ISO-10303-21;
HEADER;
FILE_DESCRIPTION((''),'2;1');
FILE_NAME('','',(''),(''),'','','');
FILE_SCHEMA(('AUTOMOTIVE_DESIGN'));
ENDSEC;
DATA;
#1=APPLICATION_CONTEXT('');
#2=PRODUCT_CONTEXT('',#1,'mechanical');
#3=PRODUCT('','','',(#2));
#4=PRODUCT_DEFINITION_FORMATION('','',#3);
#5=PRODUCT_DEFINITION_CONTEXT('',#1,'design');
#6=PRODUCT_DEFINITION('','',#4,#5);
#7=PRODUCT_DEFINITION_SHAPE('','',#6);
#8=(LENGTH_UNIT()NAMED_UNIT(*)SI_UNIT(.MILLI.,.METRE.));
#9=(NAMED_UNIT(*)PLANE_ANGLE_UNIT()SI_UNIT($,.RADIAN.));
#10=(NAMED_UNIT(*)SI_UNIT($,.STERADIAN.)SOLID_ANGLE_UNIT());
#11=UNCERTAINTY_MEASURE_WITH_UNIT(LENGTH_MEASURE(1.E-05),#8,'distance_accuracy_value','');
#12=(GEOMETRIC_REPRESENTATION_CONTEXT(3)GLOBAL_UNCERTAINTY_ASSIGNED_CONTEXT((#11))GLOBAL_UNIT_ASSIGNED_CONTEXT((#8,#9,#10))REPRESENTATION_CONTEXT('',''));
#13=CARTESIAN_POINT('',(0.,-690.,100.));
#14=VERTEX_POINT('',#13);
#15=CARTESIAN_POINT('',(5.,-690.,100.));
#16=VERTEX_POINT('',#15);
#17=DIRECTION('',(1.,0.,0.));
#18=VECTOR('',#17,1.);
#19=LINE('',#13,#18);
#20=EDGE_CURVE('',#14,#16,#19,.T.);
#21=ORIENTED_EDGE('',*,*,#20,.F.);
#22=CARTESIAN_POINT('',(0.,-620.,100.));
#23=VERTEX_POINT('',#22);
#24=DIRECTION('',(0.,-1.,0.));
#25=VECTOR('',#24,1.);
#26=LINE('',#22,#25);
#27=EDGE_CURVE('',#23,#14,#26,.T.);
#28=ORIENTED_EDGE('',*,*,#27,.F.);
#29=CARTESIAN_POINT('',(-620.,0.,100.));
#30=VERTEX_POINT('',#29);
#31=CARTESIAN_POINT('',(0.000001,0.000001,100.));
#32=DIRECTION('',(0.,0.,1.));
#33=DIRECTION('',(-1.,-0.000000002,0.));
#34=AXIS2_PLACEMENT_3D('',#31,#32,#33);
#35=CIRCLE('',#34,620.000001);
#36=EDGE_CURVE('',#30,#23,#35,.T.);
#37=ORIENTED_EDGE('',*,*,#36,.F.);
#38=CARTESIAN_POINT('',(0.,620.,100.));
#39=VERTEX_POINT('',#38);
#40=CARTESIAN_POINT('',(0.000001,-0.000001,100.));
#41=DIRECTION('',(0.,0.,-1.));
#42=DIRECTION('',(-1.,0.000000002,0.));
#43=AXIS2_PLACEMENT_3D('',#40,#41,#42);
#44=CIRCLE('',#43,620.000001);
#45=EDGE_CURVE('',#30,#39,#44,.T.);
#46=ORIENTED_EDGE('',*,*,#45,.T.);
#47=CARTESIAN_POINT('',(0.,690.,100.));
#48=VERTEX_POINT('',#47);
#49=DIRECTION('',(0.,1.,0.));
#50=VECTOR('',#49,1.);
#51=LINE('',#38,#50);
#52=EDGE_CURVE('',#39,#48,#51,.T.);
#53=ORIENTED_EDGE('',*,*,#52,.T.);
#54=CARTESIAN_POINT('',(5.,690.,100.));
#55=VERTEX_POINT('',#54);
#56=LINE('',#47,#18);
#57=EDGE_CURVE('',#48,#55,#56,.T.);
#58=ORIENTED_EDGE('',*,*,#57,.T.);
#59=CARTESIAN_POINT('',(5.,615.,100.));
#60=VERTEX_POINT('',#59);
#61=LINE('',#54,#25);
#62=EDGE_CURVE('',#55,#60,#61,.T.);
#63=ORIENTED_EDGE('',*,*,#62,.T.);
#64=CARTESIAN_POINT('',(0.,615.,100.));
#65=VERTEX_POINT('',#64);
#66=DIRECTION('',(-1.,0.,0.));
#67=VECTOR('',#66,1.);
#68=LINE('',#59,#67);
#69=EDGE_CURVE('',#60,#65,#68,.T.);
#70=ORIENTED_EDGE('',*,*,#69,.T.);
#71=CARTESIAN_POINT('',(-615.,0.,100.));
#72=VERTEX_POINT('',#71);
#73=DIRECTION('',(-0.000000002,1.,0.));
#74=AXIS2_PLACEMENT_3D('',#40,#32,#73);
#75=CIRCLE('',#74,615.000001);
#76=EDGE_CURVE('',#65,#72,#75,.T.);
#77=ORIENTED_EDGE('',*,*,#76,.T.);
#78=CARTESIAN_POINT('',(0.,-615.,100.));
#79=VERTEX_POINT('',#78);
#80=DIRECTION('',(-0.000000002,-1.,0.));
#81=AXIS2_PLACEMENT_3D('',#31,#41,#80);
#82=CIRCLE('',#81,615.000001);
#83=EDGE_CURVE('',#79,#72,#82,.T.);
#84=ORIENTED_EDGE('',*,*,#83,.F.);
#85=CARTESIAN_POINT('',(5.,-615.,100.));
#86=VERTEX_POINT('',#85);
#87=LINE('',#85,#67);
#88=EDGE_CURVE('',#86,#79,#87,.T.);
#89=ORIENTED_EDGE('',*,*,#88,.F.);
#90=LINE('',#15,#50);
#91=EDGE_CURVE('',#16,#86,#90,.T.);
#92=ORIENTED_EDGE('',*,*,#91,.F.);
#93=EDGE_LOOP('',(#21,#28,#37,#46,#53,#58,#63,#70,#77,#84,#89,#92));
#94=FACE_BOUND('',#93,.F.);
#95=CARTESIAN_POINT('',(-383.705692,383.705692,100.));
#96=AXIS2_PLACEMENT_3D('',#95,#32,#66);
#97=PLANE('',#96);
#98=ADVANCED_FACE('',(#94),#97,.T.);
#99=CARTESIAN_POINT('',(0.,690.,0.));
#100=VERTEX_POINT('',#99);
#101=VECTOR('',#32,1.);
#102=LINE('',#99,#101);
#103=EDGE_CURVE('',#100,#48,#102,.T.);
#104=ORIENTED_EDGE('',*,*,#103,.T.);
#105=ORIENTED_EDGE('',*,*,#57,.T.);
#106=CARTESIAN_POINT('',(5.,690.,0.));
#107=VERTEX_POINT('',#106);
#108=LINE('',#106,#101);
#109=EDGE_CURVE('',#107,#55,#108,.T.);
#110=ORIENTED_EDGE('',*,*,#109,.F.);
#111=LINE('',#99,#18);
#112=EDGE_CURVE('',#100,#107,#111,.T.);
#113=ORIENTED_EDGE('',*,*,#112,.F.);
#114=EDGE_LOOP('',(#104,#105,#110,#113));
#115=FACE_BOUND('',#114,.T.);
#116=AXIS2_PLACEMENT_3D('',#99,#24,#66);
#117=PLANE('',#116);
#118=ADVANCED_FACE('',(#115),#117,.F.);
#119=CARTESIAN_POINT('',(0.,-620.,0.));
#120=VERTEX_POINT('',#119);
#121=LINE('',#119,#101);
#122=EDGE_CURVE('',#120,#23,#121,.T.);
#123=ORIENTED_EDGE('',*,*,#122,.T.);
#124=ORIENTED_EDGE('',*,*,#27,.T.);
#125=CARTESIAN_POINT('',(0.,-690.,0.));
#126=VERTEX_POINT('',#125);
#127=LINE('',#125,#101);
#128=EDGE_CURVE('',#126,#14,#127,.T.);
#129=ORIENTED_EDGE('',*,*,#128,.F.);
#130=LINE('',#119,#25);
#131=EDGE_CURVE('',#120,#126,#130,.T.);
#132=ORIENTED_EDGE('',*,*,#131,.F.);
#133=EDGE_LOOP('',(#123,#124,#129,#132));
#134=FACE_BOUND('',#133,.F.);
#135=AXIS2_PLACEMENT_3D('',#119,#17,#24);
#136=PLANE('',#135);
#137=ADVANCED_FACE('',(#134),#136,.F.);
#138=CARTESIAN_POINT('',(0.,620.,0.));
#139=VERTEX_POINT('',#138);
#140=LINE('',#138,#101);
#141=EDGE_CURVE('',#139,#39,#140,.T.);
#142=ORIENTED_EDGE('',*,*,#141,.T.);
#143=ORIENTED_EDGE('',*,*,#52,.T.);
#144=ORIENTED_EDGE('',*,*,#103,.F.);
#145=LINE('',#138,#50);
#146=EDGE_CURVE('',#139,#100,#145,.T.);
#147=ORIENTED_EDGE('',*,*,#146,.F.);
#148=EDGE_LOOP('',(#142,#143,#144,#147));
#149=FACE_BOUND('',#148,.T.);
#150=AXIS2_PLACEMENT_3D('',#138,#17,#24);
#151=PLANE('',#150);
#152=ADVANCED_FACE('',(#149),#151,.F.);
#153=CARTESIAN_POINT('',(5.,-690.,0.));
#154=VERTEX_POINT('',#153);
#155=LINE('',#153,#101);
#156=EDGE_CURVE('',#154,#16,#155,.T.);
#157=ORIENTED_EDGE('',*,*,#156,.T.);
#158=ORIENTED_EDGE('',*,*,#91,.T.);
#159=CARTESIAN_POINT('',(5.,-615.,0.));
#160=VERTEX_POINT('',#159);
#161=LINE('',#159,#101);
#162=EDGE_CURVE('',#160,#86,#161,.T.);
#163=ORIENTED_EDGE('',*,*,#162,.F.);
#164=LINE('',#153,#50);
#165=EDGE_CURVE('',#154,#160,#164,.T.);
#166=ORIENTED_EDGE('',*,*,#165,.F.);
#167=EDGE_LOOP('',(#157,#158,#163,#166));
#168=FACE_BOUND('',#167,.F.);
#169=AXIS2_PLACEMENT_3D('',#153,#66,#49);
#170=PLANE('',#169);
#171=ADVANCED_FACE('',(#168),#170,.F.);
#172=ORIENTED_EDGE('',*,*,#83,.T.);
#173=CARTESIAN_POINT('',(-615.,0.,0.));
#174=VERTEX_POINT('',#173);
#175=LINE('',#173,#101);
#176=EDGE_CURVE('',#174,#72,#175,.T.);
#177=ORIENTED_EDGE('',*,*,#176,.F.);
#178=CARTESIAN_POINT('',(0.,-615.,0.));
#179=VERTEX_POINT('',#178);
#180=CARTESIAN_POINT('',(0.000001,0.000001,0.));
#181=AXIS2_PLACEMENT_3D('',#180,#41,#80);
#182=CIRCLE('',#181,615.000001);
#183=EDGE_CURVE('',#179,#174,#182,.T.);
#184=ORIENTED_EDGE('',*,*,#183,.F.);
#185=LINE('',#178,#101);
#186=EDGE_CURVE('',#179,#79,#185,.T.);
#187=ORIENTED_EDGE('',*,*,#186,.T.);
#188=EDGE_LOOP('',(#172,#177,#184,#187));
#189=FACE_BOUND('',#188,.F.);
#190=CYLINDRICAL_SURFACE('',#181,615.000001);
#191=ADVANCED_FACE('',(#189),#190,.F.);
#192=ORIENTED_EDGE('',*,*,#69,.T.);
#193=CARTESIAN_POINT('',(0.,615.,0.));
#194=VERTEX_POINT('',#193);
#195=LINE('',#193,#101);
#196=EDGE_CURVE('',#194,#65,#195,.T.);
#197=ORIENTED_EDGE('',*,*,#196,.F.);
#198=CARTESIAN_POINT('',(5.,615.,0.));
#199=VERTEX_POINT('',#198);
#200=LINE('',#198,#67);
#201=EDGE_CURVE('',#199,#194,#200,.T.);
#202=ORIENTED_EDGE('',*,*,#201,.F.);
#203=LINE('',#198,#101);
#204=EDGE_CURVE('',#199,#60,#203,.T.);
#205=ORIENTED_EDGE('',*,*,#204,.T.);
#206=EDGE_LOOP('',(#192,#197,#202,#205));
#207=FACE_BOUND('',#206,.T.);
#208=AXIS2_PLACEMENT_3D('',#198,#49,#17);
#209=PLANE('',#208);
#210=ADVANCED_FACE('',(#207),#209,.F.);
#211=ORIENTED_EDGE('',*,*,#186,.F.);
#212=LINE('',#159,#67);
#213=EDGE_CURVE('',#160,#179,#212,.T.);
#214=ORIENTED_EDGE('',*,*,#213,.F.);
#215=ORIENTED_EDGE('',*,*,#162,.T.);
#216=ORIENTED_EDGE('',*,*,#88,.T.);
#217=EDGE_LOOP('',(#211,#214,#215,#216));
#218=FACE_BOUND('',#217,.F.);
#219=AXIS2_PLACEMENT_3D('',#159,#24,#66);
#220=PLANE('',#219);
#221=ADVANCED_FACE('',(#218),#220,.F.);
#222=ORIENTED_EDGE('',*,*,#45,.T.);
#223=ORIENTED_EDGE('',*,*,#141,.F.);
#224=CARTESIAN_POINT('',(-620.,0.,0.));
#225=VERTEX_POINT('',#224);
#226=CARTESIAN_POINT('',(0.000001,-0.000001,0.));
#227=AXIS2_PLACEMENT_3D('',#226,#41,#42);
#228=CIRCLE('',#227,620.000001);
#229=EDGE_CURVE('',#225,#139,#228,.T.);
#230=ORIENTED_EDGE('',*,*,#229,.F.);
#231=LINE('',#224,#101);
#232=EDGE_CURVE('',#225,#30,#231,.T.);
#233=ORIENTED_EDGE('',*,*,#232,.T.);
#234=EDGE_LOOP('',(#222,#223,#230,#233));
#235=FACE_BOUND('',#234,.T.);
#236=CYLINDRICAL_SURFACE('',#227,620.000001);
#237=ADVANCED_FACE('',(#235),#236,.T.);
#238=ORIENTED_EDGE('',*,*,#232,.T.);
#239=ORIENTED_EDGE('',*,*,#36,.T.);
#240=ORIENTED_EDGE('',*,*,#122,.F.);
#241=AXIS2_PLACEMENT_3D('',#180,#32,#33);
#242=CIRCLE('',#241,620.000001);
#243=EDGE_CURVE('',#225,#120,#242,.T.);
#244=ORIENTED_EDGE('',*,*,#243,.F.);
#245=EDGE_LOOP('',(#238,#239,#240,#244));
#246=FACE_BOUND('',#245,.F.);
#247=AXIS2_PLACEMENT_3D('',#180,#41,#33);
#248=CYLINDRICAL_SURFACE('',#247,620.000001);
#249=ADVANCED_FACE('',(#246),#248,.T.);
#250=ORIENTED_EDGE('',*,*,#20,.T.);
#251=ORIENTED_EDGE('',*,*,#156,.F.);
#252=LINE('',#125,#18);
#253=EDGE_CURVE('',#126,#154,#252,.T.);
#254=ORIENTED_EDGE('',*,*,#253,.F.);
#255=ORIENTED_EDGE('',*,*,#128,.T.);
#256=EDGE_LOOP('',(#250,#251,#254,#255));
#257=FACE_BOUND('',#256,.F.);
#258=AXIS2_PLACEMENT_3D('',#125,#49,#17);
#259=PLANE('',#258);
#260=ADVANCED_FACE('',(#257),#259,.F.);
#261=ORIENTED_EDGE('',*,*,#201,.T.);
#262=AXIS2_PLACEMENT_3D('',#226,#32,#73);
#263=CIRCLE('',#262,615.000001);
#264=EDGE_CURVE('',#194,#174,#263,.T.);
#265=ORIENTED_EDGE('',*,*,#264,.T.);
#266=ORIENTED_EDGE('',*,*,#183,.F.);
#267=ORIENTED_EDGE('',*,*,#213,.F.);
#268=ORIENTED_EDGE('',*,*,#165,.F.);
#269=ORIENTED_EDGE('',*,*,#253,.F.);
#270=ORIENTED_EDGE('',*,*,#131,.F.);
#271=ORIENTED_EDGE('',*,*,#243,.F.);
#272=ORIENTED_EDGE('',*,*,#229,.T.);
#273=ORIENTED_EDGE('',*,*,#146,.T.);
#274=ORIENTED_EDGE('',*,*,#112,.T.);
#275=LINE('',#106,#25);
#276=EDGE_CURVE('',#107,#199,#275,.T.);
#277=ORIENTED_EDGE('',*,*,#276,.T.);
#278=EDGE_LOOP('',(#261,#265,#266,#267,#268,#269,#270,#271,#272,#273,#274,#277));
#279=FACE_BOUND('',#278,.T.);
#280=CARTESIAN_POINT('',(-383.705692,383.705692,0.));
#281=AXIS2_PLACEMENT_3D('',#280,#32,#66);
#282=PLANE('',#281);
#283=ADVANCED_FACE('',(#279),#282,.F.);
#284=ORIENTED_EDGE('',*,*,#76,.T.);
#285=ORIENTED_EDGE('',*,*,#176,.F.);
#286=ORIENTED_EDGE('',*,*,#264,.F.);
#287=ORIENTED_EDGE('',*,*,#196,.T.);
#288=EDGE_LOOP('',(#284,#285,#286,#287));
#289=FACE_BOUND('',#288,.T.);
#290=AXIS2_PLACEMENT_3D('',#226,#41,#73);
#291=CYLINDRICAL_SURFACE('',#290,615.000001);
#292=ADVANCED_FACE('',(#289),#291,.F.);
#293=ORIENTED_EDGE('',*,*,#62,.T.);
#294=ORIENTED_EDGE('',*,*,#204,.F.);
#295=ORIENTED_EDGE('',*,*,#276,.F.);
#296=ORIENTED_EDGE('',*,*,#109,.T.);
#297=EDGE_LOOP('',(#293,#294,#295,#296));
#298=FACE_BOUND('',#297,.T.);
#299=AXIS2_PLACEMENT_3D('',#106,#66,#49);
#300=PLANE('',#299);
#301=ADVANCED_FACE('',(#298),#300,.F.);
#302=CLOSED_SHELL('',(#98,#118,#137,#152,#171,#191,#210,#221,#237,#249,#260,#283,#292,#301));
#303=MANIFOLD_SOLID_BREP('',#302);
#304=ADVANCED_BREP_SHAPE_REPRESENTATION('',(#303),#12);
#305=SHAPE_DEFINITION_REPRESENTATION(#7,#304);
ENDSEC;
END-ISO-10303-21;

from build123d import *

# Parameters (mm, degrees)
F1_DEPTH = 100


with BuildPart() as f1:
    # F0 (on Top) → F1 (new body)
    with BuildSketch(Plane.XY):
        with BuildLine():
            Line((-615, 0), (-620, 0))
            ThreePointArc((-620, 0), (-438.406204, -438.406204), (0, -620))
            Line((0, -620), (0, -615))
            ThreePointArc((0, -615), (-434.87067, -434.87067), (-615, 0))
        make_face()
        Polygon((0, -615), (0, -620), (0, -690), (5, -690), (5, -615), align=None)
    extrude(amount=F1_DEPTH)

    # F2: F1 across face


with BuildPart() as f1_1:
    add(f1.part)
    add(f1.part.mirror(Plane(origin=(-617.5, 0, 50), x_dir=(-1, 0, 0), z_dir=(0, 1, 0))))


solid = f1_1.part
